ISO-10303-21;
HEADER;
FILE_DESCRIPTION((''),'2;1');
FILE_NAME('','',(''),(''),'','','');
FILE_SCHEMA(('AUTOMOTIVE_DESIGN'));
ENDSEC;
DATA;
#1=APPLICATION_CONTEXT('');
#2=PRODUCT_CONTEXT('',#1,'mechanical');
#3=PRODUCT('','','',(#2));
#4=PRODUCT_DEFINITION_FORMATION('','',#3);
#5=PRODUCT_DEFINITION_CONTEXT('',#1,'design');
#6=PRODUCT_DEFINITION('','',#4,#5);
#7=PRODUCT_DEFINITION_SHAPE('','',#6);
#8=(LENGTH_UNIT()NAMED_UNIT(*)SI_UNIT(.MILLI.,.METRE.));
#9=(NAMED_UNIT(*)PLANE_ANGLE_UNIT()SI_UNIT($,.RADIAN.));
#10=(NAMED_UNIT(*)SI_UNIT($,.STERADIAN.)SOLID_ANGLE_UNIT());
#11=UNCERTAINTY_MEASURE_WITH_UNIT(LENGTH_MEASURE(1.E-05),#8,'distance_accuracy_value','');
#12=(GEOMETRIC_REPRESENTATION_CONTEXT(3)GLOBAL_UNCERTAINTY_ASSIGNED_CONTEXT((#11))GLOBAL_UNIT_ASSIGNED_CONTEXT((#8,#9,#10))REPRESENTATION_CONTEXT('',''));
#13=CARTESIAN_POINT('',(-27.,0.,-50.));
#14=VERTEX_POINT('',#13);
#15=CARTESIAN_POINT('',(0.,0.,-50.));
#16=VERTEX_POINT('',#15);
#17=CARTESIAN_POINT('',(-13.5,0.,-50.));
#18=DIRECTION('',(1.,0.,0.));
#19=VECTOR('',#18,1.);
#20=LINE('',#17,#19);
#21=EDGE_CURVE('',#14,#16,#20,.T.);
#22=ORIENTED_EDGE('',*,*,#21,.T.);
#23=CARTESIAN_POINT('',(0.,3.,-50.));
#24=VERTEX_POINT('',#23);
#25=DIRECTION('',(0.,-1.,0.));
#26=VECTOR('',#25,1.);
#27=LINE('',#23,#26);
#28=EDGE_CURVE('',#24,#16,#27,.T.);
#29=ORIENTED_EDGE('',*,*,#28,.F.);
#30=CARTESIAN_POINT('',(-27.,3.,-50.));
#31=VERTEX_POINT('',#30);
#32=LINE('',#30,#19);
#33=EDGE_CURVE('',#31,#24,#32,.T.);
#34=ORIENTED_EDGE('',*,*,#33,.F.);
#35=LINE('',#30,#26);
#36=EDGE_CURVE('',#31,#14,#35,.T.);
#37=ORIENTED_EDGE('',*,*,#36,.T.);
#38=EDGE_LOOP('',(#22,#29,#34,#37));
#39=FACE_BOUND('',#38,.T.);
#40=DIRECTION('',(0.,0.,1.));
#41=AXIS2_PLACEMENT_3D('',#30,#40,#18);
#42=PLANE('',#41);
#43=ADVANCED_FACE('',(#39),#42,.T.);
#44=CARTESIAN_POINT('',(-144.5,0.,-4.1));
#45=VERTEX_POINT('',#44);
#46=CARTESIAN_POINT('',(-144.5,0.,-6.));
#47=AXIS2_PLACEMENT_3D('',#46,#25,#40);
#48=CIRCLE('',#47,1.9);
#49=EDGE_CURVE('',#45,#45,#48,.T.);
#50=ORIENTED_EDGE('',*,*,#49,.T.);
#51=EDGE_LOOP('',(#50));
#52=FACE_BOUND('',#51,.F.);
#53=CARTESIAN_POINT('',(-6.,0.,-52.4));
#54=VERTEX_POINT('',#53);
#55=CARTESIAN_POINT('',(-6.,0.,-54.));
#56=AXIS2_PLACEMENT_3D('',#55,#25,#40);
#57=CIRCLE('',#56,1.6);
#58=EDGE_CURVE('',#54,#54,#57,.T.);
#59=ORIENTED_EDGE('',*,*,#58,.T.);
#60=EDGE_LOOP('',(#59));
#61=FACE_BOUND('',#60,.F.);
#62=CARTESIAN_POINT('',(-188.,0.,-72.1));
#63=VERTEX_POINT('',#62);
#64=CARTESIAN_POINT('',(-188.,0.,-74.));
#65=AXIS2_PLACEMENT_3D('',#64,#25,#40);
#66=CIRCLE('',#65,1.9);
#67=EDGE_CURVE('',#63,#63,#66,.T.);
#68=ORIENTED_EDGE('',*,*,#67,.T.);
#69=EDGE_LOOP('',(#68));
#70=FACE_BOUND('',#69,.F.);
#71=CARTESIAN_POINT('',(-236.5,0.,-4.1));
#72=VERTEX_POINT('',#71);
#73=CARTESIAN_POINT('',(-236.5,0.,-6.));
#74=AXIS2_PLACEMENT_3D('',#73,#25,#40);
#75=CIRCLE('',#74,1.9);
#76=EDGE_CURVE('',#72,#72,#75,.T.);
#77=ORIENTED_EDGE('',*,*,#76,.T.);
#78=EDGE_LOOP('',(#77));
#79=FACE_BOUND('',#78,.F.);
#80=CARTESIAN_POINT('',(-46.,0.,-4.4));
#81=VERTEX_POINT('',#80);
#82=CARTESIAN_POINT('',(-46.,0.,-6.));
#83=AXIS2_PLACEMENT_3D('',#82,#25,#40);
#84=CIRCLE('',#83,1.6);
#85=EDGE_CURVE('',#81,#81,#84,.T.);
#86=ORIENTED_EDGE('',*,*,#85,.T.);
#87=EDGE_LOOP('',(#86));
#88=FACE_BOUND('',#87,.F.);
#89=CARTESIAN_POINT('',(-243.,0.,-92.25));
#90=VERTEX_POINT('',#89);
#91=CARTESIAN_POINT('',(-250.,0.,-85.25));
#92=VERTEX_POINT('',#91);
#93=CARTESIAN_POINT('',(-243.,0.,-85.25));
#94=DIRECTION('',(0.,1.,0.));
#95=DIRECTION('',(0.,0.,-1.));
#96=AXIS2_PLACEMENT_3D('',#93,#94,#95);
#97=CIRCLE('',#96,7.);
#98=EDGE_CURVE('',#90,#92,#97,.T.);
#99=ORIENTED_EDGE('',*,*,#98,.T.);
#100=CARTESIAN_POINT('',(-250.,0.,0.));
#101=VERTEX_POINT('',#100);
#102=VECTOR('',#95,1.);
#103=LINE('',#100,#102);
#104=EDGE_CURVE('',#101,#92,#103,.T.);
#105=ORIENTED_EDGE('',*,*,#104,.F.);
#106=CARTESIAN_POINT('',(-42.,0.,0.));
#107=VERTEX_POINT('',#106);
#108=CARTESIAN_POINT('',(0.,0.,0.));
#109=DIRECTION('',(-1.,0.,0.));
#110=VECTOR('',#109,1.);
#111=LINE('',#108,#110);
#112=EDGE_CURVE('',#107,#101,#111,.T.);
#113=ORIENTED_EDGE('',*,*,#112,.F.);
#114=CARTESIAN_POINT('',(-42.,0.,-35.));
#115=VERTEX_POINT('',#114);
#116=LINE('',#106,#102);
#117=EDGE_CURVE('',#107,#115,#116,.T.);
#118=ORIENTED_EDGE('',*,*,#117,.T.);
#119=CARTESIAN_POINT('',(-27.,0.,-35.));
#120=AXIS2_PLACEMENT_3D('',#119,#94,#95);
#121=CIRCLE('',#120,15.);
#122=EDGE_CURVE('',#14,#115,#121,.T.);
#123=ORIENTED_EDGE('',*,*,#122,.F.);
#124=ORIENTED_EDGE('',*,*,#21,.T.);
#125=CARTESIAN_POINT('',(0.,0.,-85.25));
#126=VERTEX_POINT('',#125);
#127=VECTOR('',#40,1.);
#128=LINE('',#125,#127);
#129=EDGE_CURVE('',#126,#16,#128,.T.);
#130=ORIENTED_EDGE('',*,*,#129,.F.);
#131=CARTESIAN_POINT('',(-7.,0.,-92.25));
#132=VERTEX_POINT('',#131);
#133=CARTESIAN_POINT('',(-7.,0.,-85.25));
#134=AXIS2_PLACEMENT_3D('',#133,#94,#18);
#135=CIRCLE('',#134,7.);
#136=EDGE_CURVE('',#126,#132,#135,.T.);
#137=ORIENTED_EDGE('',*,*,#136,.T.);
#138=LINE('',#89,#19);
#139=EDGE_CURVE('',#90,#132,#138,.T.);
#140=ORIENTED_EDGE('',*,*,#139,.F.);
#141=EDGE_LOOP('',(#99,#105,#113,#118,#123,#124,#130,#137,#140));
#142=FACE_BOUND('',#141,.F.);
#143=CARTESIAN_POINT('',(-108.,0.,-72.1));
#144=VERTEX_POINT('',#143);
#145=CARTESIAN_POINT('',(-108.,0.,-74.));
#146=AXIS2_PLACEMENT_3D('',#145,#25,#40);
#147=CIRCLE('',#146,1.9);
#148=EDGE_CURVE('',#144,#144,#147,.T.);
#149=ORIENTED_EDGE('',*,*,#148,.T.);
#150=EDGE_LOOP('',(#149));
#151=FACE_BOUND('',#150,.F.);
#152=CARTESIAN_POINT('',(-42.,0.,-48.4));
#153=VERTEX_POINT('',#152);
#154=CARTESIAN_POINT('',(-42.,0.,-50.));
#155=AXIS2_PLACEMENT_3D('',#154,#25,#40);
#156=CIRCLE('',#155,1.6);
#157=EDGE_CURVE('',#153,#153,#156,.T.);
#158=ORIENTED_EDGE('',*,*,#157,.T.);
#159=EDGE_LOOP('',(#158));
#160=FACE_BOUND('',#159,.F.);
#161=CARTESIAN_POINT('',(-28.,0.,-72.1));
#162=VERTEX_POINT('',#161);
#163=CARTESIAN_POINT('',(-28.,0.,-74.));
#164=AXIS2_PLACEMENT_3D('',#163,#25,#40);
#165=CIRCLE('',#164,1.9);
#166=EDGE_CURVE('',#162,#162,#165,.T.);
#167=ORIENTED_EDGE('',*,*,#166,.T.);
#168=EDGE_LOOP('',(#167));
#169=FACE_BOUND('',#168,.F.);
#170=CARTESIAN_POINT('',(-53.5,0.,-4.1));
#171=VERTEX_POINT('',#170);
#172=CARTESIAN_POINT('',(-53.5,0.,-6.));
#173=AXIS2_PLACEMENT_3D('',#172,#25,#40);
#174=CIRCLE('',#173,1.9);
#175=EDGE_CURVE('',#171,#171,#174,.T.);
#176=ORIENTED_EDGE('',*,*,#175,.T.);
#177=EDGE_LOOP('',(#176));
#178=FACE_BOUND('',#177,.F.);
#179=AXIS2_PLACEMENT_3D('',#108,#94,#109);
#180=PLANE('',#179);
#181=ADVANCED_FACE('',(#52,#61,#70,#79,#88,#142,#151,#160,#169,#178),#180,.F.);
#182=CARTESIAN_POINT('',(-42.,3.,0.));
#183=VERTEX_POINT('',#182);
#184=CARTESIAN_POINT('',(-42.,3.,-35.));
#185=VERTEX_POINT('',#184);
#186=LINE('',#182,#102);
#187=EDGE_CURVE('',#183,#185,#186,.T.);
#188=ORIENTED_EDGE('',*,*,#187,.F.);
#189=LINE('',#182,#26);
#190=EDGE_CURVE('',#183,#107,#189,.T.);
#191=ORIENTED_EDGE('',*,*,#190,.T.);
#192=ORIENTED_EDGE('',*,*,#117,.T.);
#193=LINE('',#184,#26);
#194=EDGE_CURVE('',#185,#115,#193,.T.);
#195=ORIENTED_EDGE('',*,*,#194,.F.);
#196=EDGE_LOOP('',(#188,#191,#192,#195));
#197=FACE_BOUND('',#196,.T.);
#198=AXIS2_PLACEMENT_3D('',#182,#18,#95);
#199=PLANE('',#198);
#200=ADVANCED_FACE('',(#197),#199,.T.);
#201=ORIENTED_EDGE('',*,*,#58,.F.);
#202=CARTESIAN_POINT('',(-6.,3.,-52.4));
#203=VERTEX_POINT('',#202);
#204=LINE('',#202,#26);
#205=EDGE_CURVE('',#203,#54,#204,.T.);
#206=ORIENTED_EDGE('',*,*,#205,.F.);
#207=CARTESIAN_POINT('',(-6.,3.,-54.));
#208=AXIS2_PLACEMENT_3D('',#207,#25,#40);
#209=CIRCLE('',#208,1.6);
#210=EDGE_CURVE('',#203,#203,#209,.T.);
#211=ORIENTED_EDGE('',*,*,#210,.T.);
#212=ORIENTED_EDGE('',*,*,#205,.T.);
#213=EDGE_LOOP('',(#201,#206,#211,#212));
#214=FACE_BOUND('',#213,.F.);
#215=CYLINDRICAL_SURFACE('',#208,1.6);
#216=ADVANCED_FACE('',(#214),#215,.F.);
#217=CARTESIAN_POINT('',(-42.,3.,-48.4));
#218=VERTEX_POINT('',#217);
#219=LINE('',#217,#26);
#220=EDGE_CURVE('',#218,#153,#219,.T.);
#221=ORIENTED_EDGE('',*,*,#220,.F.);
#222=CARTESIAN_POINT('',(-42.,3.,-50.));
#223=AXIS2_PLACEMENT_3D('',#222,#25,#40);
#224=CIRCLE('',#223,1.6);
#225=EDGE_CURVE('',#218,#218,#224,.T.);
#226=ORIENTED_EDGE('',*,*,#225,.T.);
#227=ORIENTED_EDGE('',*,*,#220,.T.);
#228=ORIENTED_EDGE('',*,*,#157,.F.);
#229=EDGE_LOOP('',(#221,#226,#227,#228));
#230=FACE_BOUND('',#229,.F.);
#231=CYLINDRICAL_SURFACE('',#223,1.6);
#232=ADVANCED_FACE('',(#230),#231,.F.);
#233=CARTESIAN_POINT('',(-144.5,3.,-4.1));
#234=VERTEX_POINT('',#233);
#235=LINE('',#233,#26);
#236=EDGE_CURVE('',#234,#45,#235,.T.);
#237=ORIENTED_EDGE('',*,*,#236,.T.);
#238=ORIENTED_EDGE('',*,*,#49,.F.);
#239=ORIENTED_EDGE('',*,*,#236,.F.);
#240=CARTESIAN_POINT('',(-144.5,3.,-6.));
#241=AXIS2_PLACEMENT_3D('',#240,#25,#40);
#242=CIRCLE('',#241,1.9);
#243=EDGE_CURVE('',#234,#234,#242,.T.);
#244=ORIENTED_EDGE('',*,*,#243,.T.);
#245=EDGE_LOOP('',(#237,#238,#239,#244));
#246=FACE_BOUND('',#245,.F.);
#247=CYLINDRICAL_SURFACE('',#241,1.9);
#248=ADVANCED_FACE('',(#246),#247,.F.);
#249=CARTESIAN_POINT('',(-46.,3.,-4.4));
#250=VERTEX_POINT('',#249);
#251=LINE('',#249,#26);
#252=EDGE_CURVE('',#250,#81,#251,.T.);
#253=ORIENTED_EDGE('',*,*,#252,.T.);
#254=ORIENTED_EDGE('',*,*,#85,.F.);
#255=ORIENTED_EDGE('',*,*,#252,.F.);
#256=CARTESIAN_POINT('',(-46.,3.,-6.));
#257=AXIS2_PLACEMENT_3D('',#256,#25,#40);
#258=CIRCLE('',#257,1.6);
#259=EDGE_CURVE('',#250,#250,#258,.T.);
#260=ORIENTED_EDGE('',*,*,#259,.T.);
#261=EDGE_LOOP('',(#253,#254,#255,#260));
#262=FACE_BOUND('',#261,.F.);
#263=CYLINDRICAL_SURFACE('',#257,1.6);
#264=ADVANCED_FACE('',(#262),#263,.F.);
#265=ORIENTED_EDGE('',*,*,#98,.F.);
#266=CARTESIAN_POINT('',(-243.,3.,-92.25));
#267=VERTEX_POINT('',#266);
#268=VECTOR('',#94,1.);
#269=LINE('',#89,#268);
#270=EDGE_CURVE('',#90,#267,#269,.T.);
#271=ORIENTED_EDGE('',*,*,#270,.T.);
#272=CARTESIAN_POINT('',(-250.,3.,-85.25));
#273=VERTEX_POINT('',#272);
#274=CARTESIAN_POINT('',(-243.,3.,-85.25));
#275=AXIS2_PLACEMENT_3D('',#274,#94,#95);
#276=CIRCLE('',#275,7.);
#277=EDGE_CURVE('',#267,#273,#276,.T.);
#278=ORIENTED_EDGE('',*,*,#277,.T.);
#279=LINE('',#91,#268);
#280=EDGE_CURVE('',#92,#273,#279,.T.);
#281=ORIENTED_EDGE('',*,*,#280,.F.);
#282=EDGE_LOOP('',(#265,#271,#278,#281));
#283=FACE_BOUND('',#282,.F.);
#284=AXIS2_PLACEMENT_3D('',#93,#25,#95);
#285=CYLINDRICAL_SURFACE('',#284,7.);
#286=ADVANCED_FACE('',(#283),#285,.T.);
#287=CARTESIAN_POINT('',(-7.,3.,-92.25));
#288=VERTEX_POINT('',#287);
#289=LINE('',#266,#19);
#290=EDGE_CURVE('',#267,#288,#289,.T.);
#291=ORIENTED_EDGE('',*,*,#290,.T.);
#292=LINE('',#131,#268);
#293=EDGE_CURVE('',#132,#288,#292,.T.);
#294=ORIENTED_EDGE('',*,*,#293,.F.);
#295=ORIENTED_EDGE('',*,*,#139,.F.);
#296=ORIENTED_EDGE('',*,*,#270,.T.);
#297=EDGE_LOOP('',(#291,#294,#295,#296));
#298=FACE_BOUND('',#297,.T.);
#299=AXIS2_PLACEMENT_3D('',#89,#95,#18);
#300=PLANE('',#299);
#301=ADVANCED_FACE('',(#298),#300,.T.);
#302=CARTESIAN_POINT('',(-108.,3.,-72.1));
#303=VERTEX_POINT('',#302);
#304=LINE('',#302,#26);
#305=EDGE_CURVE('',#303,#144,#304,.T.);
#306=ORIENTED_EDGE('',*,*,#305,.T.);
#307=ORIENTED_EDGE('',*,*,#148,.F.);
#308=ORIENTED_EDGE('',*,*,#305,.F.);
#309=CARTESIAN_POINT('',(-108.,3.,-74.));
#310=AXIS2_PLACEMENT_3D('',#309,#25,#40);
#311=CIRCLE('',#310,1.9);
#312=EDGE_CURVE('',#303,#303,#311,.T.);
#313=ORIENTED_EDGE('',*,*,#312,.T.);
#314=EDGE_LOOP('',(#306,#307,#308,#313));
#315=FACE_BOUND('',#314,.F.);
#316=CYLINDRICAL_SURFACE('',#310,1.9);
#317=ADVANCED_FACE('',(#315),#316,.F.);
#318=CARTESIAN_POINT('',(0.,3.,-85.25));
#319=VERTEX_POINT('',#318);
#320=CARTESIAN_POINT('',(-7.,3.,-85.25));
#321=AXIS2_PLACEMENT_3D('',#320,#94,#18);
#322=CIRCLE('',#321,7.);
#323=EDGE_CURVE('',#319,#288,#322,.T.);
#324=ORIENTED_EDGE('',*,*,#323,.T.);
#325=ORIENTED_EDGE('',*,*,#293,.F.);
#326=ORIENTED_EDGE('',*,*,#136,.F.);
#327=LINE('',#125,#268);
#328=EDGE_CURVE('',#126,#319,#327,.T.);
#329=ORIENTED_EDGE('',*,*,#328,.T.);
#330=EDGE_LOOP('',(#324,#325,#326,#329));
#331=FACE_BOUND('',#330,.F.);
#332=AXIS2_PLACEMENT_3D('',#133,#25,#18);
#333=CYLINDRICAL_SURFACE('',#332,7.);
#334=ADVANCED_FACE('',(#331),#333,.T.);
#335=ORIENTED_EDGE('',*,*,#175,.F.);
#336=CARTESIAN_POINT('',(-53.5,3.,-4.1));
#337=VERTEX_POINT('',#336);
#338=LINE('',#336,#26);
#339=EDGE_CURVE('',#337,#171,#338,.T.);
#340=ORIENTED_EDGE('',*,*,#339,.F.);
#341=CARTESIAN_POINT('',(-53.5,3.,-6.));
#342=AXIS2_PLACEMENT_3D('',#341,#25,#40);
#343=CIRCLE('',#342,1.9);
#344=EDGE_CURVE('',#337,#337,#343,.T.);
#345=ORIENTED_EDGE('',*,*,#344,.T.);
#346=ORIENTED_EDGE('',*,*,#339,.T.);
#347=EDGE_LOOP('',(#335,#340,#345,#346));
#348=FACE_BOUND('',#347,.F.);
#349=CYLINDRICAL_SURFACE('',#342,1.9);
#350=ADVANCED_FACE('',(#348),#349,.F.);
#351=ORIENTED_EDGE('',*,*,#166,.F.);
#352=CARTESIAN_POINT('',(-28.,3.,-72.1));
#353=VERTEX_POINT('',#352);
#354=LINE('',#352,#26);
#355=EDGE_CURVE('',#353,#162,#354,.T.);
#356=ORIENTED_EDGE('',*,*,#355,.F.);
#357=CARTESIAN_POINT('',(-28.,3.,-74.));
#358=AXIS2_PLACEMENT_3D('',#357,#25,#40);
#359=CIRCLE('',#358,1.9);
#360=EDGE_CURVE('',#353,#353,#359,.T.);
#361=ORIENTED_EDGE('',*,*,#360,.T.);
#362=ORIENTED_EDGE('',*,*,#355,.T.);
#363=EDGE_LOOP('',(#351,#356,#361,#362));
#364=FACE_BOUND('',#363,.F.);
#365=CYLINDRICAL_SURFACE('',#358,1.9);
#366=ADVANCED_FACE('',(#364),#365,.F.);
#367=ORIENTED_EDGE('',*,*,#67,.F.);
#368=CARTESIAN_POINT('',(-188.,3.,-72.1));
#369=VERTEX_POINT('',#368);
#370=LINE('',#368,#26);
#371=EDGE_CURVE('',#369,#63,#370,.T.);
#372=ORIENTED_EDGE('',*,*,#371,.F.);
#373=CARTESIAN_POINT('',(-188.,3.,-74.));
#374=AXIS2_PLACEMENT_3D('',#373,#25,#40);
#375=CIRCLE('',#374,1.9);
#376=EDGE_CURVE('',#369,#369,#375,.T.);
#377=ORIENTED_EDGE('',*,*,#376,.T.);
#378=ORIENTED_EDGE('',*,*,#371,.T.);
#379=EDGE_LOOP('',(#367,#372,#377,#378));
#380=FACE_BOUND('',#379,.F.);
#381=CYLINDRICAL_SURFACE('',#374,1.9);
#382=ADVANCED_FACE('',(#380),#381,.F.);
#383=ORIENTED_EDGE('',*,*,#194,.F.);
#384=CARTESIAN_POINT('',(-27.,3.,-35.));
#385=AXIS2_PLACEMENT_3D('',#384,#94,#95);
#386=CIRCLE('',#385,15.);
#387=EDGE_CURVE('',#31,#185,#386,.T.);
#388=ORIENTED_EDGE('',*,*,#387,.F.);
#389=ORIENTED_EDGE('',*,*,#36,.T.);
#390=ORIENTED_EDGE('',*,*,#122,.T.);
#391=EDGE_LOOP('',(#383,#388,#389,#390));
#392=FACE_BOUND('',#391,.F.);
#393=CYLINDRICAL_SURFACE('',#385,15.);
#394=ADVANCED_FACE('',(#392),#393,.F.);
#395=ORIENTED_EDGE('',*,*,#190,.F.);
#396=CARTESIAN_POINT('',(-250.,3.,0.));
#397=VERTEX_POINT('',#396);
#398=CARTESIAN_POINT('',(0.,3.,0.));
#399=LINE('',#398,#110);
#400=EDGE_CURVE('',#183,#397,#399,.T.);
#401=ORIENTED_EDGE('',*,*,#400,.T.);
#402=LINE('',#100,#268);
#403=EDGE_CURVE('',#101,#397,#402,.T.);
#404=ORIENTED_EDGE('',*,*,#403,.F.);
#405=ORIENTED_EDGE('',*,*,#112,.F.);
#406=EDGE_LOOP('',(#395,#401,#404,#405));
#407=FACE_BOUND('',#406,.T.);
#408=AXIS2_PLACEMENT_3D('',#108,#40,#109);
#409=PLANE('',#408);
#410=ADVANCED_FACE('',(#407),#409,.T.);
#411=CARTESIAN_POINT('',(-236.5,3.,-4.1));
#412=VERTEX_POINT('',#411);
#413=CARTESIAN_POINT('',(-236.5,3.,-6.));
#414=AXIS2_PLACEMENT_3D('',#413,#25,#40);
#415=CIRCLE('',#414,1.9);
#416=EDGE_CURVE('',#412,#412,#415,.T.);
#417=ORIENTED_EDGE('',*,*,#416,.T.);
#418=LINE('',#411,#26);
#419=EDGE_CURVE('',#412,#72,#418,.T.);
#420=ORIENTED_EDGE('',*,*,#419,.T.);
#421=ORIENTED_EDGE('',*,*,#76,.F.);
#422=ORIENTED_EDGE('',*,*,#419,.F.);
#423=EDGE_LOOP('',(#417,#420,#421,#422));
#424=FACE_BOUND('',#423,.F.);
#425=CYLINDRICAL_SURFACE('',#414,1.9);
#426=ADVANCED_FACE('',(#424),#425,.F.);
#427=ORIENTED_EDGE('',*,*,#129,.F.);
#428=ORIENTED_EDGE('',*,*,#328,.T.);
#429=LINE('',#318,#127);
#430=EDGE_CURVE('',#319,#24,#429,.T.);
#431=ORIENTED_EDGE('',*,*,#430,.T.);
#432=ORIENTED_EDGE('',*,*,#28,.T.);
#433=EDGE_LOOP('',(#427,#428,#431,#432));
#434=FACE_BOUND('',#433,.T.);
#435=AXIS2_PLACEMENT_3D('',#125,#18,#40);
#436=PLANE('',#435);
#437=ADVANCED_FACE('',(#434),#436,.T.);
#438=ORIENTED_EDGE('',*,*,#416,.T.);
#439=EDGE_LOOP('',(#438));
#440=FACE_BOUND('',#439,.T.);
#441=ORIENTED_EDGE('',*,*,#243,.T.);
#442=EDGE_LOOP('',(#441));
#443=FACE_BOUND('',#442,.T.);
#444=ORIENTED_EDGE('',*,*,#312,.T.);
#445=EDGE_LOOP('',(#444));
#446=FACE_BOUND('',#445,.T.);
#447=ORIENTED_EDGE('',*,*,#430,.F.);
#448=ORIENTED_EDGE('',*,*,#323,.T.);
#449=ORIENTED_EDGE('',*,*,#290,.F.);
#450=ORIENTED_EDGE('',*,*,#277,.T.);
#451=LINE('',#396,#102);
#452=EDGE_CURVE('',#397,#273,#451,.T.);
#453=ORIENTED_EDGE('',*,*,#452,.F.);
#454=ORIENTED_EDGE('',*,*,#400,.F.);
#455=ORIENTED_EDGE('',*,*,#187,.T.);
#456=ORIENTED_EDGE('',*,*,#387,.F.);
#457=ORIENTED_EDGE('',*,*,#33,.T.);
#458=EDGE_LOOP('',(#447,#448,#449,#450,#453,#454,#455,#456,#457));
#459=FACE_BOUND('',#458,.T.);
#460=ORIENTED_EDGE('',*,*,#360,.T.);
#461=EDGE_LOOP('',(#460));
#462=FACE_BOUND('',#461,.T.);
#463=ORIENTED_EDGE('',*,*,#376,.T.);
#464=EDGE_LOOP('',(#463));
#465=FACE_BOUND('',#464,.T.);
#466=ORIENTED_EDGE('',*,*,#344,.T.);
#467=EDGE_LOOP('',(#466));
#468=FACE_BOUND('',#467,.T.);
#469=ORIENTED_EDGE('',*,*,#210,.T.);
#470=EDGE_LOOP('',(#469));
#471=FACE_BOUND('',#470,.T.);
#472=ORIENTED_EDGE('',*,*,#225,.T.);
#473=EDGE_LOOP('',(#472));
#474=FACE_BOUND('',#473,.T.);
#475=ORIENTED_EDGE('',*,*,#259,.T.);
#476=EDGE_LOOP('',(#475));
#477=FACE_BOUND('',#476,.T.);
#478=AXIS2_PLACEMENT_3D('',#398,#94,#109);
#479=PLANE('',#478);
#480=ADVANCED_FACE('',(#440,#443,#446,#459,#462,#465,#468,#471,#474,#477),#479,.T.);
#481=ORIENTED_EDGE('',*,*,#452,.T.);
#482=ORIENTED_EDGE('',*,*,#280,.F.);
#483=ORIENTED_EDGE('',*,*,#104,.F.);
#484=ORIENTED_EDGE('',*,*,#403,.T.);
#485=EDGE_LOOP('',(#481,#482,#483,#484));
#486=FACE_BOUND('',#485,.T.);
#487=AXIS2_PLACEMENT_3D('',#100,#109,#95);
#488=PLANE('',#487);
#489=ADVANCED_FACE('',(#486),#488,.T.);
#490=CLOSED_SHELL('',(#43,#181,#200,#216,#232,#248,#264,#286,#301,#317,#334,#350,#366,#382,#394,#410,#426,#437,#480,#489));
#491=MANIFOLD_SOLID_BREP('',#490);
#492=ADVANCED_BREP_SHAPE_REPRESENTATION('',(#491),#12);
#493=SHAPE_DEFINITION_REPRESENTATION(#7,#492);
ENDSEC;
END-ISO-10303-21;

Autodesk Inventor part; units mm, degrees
ref_plane "YZ Plane" through (0, 0, 0) normal (1, 0, 0) x (0, 1, 0)
ref_plane "XZ Plane" through (0, 0, 0) normal (0, 1, 0) x (-1, 0, 0)
ref_plane "XY Plane" through (0, 0, 0) normal (0, 0, 1) x (1, 0, 0)
sketch "Sketch1" plane through (0, 0, 0) normal (0, 1, 0) x (-1, 0, 0)
  line L0 (0, 0) -> (250, 0)
  line L1 (250, 0) -> (250, -85.25)
  line L2 (243, -92.25) -> (7, -92.25)
  line L3 (0, -85.25) -> (0, 0)
  arc A0 (243, -92.25) -> (250, -85.25) centre (243, -85.25) ccw
  arc A1 (0, -85.25) -> (7, -92.25) centre (7, -85.25) ccw
  point P0 (250, -92.25)
  point P1 (0, -92.25)
  dimension "d0" = 250
  dimension "d1" = 92.25
  dimension "d2" = 7
extrude "Extrusion1" add sketch "Sketch1" along normal blind 3
sketch "Sketch2" plane through (0, 3, 0) normal (0, 1, 0) x (1, 0, 0)
  line L0 (-302.172, 6) -> (59.9962, 6) construction
  line L1 (-309.1368, 74) -> (37.3606, 74) construction
  line L2 (-7, 92.25) -> (-243, 92.25) projected
  line L3 (-250, 0) -> (0, 0) projected
  line L4 (0, 0) -> (0, 85.25) projected
  line L5 (-250, 85.25) -> (-250, 0) projected
  point P0 (-28, 74)
  point P1 (-108, 74)
  point P2 (-188, 74)
  point P3 (-53.5, 6)
  point P4 (-144.5, 6)
  point P5 (-236.5, 6)
  dimension "d5" = 18.25
  dimension "d6" = 6
  dimension "d8" = 80
  dimension "d9" = 80
  dimension "d20" = 13.5
  dimension "d22" = 196.5
  dimension "d23" = 62
  dimension "d24" = 105.5
hole "Hole1" at (-28, 3, -74) at (-108, 3, -74) at (-188, 3, -74) at (-53.5, 3, -6) at (-144.5, 3, -6) at (-236.5, 3, -6) direction (0, -1, 0) diameter 3.8 end through all
sketch "Sketch3" plane through (0, 3, 0) normal (0, 1, 0) x (1, 0, 0)
  line L0 (0, 0) -> (-42, 0)
  line L1 (-42, 0) -> (-42, 35)
  line L2 (-27, 50) -> (0, 50)
  line L3 (0, 50) -> (0, 0)
  line L4 (-250, 85.25) -> (-250, 0) projected
  arc A0 (-27, 50) -> (-42, 35) centre (-27, 35) ccw
  dimension "d26" = 50
  dimension "d27" = 208
  dimension "d28" = 15
extrude "Extrusion2" cut sketch "Sketch3" against normal through all
sketch "Sketch4" plane through (0, 3, 0) normal (0, 1, 0) x (1, 0, 0)
  line L0 (-46, -14.9041) -> (-46, 62.5179) construction
  line L1 (7.7091, 54) -> (-71.6012, 54) construction
  line L2 (0, 50) -> (-27, 50) construction
  line L3 (0, 50) -> (-74.4337, 50) construction
  line L4 (-250, 0) -> (-42, 0) construction
  line L5 (-42, 0) -> (-42, 52.8873) construction
  line L6 (0, 50) -> (0, 85.25) projected
  point P0 (0, 0)
  point P1 (-6, 54)
  point P2 (-18, 54)
  point P3 (-46, 18)
  point P4 (-46, 6)
  point P5 (-42, 50)
  dimension "d31" = 4
  dimension "d32" = 4
  dimension "d33" = 6
  dimension "d34" = 6
  dimension "d35" = 18
  dimension "d36" = 18
hole "Hole2" at (-6, 3, -54) at (-46, 3, -6) at (-42, 3, -50) direction (0, -1, 0) diameter 3.2 end through all
properties part number "Electronics cover"
